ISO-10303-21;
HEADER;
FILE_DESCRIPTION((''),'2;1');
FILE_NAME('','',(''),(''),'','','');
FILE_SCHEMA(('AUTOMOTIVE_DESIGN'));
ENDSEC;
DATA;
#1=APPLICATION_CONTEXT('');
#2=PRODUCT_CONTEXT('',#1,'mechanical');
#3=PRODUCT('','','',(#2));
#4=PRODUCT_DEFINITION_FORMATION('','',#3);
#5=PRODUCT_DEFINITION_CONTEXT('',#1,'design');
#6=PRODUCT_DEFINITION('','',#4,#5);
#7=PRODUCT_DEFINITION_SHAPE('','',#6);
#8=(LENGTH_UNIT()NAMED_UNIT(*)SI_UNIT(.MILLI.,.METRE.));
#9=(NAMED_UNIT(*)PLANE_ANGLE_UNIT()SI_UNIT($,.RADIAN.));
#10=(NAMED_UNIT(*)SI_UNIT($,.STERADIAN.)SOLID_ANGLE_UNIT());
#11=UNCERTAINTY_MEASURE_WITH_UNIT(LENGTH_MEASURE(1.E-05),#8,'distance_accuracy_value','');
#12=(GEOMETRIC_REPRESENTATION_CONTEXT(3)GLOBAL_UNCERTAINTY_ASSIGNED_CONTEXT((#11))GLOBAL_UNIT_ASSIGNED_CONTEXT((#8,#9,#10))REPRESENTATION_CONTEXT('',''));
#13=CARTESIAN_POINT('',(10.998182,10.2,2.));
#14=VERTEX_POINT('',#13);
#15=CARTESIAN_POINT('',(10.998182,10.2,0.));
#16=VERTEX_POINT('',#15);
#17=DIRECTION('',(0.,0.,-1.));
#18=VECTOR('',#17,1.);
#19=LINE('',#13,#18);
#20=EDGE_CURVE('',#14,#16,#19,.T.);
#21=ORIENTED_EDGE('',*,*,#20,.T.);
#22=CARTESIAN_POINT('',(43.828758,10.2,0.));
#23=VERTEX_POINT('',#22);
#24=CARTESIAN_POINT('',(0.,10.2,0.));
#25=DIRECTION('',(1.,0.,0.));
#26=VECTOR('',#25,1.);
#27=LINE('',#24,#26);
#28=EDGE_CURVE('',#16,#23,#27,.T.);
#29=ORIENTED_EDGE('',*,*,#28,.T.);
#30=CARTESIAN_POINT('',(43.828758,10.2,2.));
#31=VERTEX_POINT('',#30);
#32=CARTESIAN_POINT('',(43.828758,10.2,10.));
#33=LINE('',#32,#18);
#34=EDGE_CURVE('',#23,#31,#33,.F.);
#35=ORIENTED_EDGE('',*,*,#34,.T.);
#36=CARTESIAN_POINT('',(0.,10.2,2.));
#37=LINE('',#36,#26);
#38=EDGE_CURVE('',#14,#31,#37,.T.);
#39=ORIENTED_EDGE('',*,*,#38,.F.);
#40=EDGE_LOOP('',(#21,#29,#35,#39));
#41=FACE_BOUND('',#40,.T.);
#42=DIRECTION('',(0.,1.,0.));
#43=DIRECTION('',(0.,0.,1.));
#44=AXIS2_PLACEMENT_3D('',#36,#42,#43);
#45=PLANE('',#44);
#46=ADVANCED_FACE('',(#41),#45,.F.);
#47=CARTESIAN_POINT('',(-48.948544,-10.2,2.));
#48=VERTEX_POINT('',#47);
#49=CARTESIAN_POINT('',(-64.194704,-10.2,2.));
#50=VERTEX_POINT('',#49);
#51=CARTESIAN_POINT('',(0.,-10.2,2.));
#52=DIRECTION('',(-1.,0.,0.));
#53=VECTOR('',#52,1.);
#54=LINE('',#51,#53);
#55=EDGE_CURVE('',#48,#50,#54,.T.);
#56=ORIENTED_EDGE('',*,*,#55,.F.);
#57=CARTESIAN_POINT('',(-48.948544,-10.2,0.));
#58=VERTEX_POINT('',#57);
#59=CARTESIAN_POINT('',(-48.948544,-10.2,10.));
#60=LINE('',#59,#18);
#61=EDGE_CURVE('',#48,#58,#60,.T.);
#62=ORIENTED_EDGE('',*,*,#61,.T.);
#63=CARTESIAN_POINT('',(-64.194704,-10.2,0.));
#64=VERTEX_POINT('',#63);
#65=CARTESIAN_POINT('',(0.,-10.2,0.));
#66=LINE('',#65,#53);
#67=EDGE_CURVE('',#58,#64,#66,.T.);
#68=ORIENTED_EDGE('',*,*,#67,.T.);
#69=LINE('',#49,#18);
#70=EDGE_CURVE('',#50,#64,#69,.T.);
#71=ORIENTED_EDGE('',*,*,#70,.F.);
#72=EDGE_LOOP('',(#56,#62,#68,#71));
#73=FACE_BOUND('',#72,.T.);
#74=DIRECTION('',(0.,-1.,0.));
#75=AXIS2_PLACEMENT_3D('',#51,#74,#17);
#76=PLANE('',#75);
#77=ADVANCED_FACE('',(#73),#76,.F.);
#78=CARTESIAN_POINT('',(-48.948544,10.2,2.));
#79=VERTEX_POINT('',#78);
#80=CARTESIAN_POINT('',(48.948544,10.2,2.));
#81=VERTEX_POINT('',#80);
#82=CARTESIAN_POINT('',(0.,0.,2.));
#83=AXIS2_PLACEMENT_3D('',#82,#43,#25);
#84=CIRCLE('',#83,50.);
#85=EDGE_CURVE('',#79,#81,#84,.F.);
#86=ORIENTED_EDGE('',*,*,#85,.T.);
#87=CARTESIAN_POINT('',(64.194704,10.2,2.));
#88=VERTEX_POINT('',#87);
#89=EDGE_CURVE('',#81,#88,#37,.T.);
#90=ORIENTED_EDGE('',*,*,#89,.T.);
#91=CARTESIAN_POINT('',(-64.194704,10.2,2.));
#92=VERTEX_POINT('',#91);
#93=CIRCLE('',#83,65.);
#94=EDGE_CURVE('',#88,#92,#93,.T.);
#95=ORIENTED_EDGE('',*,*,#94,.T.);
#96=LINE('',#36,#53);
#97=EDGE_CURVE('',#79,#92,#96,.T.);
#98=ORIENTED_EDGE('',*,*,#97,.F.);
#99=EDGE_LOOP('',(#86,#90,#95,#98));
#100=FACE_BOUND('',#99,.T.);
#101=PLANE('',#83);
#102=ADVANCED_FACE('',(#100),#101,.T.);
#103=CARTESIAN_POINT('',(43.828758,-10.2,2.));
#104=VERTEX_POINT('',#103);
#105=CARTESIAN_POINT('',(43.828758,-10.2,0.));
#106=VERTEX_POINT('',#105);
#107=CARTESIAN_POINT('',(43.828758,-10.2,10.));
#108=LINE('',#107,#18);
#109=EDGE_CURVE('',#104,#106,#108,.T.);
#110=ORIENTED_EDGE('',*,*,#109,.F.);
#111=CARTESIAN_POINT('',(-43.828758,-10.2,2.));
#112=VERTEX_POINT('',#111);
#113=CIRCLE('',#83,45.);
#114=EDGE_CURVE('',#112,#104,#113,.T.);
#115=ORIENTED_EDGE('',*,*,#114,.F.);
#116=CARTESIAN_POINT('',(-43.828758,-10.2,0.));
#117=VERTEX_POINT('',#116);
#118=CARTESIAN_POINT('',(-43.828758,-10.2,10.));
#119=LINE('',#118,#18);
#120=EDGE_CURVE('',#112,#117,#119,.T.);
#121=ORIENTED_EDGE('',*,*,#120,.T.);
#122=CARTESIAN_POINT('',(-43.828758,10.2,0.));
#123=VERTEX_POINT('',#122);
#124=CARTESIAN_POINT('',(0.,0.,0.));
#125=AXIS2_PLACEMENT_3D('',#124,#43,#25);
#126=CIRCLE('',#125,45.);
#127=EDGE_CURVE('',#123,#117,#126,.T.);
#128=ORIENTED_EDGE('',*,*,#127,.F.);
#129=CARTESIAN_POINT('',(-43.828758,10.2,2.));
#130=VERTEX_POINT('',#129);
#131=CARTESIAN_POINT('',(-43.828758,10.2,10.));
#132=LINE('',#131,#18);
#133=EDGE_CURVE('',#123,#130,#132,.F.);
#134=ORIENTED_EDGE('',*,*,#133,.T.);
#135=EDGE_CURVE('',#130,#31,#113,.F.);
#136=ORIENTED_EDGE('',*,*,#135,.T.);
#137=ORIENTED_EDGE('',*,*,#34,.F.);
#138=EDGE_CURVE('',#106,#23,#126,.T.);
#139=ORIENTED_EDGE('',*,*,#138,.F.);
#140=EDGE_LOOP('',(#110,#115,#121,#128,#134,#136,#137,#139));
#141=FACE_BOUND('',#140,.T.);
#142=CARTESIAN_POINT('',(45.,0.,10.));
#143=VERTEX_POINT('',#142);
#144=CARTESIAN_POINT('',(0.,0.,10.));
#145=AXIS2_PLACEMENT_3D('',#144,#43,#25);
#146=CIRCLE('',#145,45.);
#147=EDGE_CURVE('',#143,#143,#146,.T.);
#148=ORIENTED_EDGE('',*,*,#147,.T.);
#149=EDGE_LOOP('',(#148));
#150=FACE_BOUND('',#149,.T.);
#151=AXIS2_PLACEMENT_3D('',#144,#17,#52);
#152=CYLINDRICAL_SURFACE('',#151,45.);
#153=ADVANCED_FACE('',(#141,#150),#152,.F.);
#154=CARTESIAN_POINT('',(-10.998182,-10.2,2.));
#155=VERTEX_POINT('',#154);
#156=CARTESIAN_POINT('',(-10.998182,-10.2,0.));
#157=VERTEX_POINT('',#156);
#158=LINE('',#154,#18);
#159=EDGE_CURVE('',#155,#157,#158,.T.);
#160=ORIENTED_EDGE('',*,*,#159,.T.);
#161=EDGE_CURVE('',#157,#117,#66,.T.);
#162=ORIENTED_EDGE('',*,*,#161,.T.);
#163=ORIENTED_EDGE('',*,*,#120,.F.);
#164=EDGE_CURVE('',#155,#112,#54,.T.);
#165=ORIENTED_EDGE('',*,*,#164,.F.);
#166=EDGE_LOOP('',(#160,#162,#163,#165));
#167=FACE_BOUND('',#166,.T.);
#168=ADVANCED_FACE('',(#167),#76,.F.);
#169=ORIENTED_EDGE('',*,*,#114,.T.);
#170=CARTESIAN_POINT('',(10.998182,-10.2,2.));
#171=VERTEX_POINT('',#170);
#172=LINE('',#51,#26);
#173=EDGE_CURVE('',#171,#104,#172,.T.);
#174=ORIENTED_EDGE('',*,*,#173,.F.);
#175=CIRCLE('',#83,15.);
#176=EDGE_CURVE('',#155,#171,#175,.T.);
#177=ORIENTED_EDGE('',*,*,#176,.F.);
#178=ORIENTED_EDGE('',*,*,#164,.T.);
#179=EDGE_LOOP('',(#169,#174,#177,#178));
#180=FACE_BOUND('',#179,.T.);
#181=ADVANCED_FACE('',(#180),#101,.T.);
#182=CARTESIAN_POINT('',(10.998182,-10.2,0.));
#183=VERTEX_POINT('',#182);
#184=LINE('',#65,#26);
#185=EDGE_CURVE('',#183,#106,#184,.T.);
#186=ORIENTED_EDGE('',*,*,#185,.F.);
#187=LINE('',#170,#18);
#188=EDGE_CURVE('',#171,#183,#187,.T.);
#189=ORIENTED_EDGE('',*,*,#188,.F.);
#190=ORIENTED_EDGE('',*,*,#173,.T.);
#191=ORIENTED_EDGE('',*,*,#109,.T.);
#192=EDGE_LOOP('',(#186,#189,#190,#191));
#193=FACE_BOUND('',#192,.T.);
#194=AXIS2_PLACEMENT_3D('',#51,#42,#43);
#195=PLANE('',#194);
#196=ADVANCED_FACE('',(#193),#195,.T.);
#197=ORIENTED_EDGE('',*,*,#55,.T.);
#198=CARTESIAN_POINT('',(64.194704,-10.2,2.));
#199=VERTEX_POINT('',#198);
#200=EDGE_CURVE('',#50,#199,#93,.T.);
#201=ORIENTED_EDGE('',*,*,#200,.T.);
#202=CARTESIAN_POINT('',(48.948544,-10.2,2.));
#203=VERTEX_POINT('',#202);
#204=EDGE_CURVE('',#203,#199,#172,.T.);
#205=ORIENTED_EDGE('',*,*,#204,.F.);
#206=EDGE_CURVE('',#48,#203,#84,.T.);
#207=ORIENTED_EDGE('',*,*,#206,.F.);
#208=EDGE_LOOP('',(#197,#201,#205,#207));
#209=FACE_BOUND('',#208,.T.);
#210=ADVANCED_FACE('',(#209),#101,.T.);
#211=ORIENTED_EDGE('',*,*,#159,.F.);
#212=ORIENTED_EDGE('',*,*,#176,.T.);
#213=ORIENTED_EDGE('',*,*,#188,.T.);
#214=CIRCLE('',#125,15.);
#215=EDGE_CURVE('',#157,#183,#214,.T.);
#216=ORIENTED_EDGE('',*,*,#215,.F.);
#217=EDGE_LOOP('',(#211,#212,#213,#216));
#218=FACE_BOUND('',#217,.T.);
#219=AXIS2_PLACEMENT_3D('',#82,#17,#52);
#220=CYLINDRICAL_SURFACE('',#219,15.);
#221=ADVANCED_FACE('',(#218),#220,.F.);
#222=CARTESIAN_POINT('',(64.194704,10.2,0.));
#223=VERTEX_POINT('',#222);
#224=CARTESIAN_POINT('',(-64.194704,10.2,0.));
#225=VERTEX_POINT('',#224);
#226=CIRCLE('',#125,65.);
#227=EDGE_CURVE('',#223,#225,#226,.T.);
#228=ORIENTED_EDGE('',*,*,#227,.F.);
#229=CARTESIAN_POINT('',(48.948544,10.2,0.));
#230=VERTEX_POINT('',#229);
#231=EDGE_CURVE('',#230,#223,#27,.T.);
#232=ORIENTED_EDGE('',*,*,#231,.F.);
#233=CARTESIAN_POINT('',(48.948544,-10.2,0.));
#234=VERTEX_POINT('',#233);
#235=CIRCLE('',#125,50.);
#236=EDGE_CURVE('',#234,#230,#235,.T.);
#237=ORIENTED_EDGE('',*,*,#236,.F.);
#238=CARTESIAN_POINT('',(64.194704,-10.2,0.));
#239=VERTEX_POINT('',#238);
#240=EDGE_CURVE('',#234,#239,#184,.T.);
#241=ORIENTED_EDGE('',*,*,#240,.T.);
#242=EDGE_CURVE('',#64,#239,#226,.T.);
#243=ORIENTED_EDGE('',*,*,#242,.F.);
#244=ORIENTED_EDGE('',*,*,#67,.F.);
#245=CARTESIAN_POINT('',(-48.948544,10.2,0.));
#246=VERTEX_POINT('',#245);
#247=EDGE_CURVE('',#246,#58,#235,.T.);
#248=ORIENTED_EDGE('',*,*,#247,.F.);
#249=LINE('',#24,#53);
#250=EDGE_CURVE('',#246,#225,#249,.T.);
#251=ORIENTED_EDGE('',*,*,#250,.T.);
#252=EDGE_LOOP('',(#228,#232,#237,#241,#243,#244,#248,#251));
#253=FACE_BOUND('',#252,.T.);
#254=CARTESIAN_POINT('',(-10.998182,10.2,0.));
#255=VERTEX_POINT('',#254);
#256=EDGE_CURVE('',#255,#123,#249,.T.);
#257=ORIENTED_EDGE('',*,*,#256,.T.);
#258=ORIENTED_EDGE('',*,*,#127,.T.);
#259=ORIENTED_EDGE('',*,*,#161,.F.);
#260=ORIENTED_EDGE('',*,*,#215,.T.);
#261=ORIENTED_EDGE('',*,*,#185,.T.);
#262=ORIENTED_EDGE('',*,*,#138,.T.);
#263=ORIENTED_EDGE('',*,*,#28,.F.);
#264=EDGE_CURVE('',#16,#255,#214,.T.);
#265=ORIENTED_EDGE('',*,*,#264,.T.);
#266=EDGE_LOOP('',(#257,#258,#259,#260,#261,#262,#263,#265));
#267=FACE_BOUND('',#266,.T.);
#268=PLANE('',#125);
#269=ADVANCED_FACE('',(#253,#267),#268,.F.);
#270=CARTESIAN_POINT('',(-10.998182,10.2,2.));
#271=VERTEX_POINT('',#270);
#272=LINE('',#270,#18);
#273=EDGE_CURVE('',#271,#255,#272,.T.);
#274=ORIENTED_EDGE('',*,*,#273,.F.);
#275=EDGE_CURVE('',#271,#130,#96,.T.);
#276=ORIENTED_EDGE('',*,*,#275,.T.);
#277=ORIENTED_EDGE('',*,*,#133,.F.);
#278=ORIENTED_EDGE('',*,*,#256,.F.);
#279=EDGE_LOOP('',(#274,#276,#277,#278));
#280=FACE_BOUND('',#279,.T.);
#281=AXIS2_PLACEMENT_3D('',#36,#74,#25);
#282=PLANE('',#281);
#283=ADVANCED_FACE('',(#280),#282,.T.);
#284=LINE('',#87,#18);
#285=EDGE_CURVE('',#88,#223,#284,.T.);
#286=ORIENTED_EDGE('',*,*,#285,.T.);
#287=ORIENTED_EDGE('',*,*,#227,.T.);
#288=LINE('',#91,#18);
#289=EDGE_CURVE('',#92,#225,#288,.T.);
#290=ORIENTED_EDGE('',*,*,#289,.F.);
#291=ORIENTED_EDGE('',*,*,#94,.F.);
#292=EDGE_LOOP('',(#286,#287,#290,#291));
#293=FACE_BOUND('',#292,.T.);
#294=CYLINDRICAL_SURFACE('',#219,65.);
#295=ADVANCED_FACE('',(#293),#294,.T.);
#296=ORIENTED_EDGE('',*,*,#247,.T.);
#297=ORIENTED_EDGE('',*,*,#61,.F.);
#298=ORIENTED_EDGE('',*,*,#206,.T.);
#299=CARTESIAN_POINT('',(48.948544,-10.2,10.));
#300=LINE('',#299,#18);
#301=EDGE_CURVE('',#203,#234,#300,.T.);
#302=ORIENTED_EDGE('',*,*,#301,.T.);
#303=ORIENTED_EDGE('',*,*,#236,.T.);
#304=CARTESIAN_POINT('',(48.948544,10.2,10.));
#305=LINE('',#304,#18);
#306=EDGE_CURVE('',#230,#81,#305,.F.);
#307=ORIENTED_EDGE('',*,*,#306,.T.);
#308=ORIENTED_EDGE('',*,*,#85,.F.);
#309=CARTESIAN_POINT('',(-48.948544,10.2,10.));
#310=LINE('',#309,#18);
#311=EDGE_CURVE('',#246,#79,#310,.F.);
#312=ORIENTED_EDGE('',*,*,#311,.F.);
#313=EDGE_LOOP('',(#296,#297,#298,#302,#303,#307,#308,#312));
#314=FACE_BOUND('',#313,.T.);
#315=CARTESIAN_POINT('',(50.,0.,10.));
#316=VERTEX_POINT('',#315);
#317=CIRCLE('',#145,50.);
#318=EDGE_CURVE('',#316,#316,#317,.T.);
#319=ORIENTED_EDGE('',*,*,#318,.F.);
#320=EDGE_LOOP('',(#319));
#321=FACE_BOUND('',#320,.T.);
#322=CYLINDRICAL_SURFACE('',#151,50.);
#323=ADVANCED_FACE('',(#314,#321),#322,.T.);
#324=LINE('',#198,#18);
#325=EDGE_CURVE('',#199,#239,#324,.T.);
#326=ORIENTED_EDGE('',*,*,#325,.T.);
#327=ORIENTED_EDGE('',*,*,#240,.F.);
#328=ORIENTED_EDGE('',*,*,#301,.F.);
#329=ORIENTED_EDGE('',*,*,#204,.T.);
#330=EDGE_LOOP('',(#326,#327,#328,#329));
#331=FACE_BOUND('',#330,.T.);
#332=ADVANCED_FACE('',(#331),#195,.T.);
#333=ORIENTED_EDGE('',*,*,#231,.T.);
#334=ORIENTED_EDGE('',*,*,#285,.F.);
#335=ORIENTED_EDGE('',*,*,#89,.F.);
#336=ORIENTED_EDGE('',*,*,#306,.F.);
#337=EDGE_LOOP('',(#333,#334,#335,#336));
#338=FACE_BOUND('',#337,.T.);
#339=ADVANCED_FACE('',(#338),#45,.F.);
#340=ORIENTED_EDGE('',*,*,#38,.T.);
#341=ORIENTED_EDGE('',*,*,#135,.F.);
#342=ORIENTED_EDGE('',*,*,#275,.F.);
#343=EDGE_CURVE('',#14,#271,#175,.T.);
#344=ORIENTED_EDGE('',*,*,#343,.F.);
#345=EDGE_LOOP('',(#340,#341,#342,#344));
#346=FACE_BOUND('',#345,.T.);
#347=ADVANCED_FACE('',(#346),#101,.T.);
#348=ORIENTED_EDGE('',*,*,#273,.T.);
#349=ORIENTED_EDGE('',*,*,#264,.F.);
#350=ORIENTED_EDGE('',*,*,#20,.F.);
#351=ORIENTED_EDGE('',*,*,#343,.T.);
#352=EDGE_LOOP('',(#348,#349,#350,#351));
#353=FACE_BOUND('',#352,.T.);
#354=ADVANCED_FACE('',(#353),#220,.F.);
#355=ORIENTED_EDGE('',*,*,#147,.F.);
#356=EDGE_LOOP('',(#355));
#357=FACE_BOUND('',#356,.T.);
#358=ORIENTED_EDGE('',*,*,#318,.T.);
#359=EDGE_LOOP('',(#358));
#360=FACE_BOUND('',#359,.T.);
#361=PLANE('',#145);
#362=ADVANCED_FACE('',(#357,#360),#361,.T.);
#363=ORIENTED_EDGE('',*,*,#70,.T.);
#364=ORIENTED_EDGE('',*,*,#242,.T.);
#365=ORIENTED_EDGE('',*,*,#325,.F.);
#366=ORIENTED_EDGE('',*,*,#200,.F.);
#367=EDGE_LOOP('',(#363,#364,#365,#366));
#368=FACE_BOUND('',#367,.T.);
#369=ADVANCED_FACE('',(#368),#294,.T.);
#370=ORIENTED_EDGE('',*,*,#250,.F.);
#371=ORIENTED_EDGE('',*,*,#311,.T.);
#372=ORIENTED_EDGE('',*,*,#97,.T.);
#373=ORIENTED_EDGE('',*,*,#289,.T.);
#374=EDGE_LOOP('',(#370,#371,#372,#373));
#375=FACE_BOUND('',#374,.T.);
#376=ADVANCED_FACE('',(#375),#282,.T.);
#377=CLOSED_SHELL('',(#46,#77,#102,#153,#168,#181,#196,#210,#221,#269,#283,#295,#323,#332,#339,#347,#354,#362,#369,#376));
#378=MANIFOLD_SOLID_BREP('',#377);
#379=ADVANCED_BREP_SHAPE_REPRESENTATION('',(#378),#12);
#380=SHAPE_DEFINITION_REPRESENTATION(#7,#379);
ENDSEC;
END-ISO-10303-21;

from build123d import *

# Parameters (mm, degrees)
RESSALTO_EXTRUS_O1_DEPTH   = 2
RESSALTO_EXTRUS_O1_2_DEPTH = 2
ESBO_O2_R                  = 50
ESBO_O2_R_2                = 45
RESSALTO_EXTRUS_O2_DEPTH   = 10


with BuildPart() as part:
    # Esboço1 → Ressalto-extrusão1 (new body)
    with BuildSketch(Plane.XY):
        with BuildLine():
            Line((-64.194703831, 10.2), (-10.998181668, 10.2))
            ThreePointArc((-10.998181668, 10.2), (0, 15), (10.998181668, 10.2))
            Line((10.998181668, 10.2), (64.194703831, 10.2))
            ThreePointArc((64.194703831, 10.2), (0, 65), (-64.194703831, 10.2))
        make_face()
    extrude(amount=RESSALTO_EXTRUS_O1_DEPTH)



with BuildPart() as body_2:
    # Esboço1 → Ressalto-extrus_o1 2 (new body)
    with BuildSketch(Plane.XY):
        with BuildLine():
            Line((-10.998181668, -10.2), (-64.194703831, -10.2))
            ThreePointArc((-64.194703831, -10.2), (0, -65), (64.194703831, -10.2))
            Line((64.194703831, -10.2), (10.998181668, -10.2))
            ThreePointArc((10.998181668, -10.2), (0, -15), (-10.998181668, -10.2))
        make_face()
    extrude(amount=RESSALTO_EXTRUS_O1_2_DEPTH)


with BuildPart() as part_1:
    add(part.part)

    add(body_2.part)  # Ressalto-extrusão2 merges body 2
    # Esboço2 → Ressalto-extrusão2 (add)
    with BuildSketch(Plane.XY):
        with Locations(Location((0, 0, 0), (0, 0, 168.229033732))):
            Circle(ESBO_O2_R)
        with Locations(Location((0, 0, 0), (0, 0, 166.899096466))):
            Circle(ESBO_O2_R_2, mode=Mode.SUBTRACT)
    extrude(amount=RESSALTO_EXTRUS_O2_DEPTH)


solid = part_1.part
